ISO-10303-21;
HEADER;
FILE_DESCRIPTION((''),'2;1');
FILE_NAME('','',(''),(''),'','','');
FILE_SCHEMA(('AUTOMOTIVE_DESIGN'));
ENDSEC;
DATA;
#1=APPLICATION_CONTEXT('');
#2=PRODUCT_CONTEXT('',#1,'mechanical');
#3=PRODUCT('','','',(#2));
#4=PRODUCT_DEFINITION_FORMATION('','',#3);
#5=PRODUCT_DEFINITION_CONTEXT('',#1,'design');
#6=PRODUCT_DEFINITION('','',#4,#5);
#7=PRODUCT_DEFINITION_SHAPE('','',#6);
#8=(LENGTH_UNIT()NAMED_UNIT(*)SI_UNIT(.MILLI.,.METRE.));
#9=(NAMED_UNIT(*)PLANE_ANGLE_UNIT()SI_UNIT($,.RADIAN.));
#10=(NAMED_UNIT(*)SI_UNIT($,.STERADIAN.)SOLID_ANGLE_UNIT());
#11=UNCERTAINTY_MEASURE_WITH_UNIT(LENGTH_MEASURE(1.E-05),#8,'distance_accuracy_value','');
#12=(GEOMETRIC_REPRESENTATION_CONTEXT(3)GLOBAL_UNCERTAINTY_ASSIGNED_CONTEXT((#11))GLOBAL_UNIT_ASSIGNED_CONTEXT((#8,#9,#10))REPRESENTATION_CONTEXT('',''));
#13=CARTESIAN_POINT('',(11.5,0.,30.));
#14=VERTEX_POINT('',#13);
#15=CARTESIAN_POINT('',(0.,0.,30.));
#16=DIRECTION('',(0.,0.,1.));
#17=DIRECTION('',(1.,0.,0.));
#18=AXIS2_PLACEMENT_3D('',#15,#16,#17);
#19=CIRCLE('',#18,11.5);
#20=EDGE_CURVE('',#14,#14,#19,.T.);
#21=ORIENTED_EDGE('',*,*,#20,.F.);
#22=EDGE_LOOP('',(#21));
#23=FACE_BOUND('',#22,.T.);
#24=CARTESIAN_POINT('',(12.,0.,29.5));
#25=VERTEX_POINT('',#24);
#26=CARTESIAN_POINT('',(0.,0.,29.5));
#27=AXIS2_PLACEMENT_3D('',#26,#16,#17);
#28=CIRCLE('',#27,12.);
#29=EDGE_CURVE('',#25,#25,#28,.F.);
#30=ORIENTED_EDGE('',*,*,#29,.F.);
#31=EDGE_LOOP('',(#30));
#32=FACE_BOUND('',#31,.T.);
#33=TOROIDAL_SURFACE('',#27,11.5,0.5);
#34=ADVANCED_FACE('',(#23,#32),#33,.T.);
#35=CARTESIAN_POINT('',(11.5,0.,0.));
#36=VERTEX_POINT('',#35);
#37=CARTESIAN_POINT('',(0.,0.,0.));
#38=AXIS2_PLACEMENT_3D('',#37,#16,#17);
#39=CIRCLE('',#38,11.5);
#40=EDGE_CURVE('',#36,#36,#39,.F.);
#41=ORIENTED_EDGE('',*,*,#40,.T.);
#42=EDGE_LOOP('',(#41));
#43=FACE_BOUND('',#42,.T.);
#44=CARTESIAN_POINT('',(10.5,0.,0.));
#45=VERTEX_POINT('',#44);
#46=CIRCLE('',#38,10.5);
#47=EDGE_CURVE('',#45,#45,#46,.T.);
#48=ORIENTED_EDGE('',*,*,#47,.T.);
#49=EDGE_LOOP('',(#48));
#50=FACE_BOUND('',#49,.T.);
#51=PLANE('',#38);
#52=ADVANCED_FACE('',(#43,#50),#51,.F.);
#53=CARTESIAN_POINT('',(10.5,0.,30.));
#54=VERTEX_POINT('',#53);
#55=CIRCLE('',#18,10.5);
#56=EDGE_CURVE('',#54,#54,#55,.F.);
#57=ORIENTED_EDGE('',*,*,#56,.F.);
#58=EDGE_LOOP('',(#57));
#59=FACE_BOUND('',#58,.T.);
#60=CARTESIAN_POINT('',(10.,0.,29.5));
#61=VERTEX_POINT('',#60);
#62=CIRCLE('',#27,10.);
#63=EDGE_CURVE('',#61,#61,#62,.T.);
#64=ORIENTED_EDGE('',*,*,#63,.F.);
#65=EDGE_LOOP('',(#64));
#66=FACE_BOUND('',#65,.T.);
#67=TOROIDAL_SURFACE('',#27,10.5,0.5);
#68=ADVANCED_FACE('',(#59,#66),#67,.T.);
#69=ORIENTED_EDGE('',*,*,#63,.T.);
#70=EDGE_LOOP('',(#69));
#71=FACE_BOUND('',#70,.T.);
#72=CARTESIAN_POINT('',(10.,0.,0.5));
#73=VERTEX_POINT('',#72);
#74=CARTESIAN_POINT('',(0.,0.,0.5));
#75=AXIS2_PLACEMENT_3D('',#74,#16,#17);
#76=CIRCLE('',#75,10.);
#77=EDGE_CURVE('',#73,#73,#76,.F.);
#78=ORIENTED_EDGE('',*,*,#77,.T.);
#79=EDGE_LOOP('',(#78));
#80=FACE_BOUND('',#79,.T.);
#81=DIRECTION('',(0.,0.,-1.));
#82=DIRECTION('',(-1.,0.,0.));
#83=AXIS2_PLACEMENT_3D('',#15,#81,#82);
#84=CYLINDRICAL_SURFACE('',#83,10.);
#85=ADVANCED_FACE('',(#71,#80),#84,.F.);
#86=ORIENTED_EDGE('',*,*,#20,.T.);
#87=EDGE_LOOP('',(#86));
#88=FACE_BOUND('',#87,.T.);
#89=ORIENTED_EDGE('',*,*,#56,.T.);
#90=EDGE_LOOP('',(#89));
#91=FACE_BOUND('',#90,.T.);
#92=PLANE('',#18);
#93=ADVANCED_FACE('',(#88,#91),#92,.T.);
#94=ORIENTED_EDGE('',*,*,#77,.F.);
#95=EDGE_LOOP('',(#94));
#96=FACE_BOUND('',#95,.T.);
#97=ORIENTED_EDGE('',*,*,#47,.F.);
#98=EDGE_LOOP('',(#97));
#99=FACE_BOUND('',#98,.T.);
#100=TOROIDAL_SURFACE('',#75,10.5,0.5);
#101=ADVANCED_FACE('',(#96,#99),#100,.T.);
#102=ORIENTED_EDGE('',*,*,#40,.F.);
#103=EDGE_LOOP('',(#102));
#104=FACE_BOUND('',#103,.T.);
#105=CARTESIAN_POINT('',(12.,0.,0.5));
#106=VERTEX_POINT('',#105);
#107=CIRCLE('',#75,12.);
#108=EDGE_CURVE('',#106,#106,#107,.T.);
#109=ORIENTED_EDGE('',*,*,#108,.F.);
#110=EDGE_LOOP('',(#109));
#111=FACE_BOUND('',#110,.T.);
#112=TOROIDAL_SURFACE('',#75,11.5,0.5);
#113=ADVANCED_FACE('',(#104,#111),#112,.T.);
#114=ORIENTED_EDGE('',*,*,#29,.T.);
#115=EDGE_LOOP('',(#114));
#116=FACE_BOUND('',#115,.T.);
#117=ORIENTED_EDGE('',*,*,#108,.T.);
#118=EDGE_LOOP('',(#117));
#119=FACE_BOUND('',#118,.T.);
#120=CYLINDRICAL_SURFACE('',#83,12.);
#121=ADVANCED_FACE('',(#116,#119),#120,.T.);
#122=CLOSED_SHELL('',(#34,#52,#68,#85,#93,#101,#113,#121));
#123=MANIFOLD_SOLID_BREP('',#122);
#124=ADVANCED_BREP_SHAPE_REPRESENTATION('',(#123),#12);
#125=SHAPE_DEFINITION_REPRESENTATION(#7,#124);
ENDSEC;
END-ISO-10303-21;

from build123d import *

# Parameters (mm, degrees)
ESQUISSE1_R          = 12
ESQUISSE1_R_2        = 10
BASE_EXTRUSION_DEPTH = 30
CONG_1_R             = 0.5


with BuildPart() as part:
    # Esquisse1 → Base-Extrusion (new body)
    with BuildSketch(Plane.XY):
        Circle(ESQUISSE1_R)
        Circle(ESQUISSE1_R_2, mode=Mode.SUBTRACT)
    extrude(amount=BASE_EXTRUSION_DEPTH)

    # Congé1
    cong_1_edges = [part.edges().sort_by_distance(p)[0] for p in [
        (-12, 0, 0),
        (-12, 0, 30),
        (-10, 0, 0),
        (-10, 0, 30),
    ]]
    fillet(cong_1_edges, radius=CONG_1_R)


solid = part.part
